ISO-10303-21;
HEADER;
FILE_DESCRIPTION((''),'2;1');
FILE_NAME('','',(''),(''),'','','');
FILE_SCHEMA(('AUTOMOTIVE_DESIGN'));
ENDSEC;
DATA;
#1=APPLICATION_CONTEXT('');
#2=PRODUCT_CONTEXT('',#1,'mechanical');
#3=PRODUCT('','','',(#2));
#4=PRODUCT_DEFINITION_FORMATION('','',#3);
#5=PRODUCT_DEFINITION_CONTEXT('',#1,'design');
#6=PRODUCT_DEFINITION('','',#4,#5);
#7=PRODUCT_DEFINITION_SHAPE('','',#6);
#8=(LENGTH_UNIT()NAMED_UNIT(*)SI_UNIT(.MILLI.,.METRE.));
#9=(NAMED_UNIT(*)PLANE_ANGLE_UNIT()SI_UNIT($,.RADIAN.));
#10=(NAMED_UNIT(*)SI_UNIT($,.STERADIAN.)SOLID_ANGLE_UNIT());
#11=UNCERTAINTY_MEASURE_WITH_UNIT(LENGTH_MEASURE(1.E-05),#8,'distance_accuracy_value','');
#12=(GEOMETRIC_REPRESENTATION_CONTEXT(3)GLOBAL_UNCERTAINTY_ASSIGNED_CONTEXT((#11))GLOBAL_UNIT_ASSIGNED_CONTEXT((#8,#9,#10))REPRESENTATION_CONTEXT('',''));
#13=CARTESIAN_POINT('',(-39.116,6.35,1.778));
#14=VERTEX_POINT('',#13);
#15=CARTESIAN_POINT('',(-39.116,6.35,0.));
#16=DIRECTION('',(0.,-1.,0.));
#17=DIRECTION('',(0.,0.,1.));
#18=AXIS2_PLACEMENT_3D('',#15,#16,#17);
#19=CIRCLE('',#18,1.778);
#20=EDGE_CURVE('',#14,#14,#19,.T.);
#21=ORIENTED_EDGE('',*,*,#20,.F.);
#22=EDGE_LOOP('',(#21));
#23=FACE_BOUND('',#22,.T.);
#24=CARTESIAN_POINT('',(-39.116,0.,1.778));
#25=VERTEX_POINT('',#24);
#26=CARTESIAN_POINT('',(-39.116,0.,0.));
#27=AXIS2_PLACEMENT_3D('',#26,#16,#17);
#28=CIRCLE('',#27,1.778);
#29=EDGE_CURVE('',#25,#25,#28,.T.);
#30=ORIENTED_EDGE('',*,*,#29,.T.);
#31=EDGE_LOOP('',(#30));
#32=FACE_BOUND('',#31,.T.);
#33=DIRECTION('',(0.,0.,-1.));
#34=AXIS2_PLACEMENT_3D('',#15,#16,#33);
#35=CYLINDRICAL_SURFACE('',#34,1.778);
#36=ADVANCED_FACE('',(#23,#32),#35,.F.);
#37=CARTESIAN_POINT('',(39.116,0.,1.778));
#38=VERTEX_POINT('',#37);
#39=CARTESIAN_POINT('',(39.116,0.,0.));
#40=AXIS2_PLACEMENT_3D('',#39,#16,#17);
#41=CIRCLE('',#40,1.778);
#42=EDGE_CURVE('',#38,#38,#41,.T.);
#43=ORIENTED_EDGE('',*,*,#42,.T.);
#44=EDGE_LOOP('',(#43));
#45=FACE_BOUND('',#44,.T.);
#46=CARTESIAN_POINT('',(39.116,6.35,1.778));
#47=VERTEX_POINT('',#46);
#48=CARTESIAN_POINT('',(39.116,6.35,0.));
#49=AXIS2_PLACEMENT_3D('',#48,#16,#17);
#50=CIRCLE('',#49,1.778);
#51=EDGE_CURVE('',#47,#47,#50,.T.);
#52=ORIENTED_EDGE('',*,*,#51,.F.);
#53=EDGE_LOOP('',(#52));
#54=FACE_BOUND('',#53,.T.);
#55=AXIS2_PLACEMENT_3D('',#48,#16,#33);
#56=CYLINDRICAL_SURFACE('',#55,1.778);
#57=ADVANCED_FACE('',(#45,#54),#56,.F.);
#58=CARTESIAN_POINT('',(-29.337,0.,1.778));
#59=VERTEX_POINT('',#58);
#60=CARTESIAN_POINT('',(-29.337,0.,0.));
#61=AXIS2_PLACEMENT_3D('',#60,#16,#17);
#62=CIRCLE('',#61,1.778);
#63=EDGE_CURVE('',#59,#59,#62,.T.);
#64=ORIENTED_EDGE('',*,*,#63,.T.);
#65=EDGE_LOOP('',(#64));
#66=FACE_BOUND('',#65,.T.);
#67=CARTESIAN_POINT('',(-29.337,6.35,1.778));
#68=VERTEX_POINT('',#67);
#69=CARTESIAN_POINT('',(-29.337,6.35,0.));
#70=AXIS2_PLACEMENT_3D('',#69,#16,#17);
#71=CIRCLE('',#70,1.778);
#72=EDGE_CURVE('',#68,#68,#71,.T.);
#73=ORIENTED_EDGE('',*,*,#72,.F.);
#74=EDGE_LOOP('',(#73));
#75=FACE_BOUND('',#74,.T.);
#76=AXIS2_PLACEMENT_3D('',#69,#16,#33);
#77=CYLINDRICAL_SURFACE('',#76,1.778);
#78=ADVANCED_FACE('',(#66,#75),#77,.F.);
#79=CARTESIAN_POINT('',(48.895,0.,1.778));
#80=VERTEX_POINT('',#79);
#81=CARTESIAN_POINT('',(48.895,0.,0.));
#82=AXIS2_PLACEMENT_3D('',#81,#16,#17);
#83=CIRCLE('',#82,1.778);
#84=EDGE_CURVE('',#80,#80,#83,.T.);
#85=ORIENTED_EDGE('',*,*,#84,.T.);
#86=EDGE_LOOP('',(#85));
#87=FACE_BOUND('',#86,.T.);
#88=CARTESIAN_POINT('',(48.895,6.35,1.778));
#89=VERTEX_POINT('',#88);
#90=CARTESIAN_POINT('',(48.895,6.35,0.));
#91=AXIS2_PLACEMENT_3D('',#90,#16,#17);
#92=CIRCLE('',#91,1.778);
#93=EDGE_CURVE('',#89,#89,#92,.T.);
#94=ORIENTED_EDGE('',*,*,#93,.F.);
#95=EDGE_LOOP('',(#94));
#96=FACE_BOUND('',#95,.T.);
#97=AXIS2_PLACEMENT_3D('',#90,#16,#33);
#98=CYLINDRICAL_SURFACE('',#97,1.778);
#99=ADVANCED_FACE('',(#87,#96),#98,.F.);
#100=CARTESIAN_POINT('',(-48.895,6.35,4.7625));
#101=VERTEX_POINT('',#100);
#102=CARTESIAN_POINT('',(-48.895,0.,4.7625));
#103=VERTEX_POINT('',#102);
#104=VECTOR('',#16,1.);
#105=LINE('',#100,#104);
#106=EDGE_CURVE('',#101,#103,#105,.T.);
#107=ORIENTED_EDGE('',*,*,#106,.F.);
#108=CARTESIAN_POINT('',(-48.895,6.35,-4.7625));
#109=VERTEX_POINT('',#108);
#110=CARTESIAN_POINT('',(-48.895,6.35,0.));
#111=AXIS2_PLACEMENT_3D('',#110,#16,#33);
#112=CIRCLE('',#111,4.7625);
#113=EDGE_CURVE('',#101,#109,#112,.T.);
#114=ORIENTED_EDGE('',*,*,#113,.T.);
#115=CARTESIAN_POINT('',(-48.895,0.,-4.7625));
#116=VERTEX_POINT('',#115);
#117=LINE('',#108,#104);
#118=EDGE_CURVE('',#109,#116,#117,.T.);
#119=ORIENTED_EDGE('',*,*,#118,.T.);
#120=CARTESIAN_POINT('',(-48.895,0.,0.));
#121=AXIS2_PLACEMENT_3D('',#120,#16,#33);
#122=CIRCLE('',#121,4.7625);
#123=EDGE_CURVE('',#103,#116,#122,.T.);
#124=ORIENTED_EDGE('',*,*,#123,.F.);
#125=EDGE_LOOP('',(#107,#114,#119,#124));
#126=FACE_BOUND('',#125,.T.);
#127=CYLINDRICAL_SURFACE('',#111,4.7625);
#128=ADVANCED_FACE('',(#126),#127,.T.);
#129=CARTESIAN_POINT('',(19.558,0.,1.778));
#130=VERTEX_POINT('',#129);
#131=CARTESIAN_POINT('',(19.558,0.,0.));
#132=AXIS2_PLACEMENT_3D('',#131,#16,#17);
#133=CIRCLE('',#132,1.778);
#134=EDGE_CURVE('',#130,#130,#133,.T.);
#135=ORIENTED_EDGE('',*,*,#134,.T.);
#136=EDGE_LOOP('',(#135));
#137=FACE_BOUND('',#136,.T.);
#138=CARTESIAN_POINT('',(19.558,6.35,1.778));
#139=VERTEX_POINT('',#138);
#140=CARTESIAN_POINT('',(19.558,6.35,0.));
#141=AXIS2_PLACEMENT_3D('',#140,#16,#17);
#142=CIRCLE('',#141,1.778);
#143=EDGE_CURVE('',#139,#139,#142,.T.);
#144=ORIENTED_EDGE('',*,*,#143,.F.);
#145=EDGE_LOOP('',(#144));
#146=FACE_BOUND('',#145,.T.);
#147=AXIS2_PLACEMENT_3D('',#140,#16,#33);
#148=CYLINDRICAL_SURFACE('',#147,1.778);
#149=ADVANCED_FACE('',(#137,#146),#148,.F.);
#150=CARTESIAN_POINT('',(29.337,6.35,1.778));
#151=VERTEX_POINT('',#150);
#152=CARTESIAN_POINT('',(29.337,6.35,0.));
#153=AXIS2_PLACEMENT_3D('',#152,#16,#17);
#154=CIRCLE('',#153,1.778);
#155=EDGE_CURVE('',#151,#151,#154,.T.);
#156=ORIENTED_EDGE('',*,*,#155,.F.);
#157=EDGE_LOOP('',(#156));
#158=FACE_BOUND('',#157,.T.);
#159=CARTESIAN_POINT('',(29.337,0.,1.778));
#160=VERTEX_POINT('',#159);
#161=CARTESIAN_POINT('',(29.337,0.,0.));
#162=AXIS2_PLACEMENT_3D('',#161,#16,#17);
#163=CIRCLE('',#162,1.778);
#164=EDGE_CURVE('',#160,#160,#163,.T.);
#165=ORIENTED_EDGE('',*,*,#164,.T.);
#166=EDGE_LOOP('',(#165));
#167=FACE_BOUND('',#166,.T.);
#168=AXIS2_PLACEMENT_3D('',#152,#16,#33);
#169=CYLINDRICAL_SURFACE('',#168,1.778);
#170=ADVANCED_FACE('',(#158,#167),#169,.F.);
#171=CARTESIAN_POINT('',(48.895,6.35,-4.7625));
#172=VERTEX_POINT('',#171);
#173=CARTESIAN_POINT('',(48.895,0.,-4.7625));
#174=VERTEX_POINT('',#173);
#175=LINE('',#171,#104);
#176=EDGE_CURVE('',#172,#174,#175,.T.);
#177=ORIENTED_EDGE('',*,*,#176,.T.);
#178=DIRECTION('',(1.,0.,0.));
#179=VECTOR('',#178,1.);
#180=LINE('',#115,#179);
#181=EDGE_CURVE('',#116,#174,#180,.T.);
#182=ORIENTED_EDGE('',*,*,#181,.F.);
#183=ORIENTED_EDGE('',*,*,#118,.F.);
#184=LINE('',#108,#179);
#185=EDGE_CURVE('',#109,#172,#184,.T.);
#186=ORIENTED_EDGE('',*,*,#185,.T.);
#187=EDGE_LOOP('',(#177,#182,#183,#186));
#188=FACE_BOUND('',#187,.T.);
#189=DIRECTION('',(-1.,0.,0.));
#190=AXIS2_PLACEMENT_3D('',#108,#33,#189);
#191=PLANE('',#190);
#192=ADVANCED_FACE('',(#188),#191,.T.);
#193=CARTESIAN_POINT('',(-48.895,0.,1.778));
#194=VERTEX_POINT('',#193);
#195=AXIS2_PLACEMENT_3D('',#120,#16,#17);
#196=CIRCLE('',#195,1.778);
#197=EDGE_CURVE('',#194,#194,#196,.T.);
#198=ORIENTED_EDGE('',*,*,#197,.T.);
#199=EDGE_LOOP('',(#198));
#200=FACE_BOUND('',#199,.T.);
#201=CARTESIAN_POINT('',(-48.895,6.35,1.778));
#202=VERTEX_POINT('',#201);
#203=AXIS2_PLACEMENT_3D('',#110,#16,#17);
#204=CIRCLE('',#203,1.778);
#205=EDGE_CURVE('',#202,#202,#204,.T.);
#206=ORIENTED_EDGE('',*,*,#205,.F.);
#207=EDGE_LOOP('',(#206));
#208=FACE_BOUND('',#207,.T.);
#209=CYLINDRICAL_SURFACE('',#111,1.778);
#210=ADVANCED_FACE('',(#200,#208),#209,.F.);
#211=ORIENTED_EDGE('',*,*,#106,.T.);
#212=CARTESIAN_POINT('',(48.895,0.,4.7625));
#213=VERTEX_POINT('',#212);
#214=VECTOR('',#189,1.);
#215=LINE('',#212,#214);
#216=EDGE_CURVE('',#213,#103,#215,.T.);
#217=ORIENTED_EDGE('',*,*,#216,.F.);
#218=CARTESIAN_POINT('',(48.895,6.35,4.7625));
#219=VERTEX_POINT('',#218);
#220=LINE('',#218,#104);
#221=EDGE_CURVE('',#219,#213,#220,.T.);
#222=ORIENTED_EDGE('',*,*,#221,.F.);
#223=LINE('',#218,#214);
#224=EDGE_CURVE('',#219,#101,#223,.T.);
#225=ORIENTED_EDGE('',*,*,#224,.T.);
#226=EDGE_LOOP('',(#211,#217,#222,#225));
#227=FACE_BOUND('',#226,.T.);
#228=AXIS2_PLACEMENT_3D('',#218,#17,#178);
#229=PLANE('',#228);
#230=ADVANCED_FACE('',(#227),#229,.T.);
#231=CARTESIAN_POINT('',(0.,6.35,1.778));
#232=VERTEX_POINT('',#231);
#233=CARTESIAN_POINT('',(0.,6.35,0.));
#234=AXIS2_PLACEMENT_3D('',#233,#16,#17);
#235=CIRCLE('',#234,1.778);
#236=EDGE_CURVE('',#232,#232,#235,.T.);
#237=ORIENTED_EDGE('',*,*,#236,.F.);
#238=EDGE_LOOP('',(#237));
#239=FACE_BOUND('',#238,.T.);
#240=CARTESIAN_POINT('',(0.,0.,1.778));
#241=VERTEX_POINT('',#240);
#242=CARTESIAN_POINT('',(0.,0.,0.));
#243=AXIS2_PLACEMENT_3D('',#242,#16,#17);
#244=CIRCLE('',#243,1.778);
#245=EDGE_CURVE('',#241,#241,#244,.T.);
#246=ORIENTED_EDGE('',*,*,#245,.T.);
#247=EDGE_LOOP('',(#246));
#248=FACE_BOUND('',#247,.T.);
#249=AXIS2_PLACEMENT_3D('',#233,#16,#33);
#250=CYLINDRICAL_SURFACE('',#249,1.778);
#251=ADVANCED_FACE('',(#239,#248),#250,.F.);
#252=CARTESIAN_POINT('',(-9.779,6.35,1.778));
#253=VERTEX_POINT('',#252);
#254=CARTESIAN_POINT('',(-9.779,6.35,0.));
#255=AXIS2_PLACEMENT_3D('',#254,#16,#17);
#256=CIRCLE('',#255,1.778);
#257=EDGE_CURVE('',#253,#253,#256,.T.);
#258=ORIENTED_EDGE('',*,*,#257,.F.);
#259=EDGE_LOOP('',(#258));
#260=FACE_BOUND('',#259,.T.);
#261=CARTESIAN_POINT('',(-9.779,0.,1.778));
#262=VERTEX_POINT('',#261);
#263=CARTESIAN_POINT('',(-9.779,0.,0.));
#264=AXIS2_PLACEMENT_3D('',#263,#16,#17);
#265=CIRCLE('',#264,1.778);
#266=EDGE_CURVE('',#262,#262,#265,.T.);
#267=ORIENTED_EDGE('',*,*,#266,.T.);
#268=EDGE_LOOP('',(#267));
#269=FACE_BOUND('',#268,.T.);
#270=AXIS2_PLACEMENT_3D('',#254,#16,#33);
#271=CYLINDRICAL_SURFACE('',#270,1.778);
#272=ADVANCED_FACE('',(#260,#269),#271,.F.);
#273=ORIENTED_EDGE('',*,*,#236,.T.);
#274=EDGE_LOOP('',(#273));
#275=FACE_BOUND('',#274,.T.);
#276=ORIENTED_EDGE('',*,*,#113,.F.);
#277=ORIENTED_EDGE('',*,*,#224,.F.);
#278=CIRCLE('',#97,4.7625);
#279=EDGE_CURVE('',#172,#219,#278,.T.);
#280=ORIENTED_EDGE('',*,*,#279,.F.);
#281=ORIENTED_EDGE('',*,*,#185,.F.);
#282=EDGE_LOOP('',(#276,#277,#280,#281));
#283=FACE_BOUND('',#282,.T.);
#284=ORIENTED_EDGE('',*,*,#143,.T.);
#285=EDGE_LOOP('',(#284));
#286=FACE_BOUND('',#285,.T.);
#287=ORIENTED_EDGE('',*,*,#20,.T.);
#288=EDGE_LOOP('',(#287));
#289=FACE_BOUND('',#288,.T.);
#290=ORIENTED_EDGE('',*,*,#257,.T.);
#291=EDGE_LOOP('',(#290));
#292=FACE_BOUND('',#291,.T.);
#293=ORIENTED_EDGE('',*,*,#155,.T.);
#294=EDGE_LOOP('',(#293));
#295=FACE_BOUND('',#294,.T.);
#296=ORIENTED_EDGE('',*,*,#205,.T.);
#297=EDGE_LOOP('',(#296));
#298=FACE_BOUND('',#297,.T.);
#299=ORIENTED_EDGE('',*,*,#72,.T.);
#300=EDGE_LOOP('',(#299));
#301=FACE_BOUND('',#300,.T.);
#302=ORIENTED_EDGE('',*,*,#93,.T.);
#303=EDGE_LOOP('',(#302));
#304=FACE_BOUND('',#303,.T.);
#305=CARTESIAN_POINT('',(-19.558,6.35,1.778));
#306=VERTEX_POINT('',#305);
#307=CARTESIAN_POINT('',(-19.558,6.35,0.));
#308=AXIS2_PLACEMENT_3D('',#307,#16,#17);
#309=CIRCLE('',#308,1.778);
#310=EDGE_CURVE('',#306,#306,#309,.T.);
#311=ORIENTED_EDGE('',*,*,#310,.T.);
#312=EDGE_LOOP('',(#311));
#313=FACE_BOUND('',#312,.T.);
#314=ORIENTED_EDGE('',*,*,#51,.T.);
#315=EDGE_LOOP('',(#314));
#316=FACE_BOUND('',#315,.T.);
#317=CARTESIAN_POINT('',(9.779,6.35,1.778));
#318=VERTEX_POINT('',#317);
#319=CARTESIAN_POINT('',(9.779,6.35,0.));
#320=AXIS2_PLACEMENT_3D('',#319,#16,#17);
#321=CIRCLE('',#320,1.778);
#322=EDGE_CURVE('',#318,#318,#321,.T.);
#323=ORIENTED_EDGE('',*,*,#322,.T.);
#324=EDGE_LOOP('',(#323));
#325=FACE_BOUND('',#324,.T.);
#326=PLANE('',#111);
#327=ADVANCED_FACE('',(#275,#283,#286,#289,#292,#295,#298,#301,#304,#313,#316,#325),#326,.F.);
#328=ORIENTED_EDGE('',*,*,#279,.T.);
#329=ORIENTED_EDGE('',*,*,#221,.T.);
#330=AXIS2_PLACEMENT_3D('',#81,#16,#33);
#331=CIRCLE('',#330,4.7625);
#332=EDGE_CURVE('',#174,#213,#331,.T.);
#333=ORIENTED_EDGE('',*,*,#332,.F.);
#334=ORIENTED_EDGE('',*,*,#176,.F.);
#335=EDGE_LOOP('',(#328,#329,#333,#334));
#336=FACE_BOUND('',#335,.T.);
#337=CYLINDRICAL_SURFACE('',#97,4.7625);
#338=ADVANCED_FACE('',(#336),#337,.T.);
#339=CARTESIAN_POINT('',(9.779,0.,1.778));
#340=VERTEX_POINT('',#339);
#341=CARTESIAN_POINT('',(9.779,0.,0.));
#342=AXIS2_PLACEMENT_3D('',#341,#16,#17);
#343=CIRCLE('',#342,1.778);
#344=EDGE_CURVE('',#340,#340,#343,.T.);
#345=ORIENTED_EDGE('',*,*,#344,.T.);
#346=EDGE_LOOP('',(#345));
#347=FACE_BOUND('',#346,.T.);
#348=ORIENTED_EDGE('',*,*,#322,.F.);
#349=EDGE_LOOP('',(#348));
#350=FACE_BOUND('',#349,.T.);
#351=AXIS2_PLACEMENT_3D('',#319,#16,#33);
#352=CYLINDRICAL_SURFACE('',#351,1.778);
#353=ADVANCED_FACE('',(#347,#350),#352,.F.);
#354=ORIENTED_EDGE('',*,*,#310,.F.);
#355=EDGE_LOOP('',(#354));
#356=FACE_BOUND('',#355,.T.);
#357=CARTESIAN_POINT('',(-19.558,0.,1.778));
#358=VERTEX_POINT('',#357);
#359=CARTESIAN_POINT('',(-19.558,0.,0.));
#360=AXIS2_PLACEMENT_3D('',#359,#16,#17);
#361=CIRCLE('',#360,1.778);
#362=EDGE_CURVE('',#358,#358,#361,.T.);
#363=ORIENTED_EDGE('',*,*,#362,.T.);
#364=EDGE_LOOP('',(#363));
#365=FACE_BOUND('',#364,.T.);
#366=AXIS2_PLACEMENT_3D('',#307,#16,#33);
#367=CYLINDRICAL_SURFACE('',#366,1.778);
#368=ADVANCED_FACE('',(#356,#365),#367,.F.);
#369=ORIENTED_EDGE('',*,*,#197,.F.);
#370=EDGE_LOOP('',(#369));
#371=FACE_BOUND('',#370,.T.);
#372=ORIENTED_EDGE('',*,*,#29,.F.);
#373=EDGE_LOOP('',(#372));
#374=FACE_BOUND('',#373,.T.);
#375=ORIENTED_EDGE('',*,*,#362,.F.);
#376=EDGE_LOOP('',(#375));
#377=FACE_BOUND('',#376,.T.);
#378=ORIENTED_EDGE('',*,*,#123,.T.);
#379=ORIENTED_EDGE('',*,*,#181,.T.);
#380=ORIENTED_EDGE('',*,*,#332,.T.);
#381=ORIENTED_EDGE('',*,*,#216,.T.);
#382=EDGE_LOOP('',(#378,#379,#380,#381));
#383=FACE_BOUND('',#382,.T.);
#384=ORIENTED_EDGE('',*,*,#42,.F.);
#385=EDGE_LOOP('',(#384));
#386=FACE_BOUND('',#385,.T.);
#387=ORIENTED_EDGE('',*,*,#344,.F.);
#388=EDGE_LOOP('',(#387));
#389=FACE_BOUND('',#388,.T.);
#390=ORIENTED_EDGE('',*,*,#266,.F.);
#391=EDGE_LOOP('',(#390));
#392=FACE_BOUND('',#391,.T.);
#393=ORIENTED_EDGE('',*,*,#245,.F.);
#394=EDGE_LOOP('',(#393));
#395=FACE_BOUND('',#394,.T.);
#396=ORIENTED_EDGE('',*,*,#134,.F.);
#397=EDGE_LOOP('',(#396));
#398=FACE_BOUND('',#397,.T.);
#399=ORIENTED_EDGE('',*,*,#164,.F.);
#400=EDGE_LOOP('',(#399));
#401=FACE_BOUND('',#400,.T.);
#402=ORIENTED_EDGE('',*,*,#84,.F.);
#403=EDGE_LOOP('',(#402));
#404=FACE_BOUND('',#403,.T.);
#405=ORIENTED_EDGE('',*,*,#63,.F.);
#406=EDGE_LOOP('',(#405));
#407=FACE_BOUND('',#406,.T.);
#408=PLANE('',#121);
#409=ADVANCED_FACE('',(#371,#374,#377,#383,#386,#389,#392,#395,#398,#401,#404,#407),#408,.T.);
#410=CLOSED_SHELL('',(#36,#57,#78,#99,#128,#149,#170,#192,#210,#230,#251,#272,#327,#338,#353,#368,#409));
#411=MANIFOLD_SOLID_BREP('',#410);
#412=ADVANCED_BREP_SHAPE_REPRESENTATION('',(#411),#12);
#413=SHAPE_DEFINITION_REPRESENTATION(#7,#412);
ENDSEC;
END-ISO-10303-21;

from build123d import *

# Parameters (mm, degrees)
SKETCH1_R           = 1.778
BOSS_EXTRUDE1_DEPTH = 6.35


with BuildPart() as part:
    # Sketch1 → Boss-Extrude1 (new body)
    with BuildSketch(Plane.XZ):
        with BuildLine():
            Line((-48.895, -4.7625), (48.895, -4.7625))
            ThreePointArc((48.895, -4.7625), (53.6575, 0), (48.895, 4.7625))
            Line((48.895, 4.7625), (-48.895, 4.7625))
            ThreePointArc((-48.895, 4.7625), (-53.6575, 0), (-48.895, -4.7625))
        make_face()
        with Locations((48.895, 0)):
            Circle(SKETCH1_R, mode=Mode.SUBTRACT)
        with Locations((39.116, 0)):
            Circle(SKETCH1_R, mode=Mode.SUBTRACT)
        with Locations((29.337, 0)):
            Circle(SKETCH1_R, mode=Mode.SUBTRACT)
        with Locations((19.558, 0)):
            Circle(SKETCH1_R, mode=Mode.SUBTRACT)
        with Locations((9.779, 0)):
            Circle(SKETCH1_R, mode=Mode.SUBTRACT)
        Circle(SKETCH1_R, mode=Mode.SUBTRACT)
        with Locations((-9.779, 0)):
            Circle(SKETCH1_R, mode=Mode.SUBTRACT)
        with Locations((-19.558, 0)):
            Circle(SKETCH1_R, mode=Mode.SUBTRACT)
        with Locations((-29.337, 0)):
            Circle(SKETCH1_R, mode=Mode.SUBTRACT)
        with Locations((-39.116, 0)):
            Circle(SKETCH1_R, mode=Mode.SUBTRACT)
        with Locations((-48.895, 0)):
            Circle(SKETCH1_R, mode=Mode.SUBTRACT)
    extrude(amount=-BOSS_EXTRUDE1_DEPTH)


solid = part.part
